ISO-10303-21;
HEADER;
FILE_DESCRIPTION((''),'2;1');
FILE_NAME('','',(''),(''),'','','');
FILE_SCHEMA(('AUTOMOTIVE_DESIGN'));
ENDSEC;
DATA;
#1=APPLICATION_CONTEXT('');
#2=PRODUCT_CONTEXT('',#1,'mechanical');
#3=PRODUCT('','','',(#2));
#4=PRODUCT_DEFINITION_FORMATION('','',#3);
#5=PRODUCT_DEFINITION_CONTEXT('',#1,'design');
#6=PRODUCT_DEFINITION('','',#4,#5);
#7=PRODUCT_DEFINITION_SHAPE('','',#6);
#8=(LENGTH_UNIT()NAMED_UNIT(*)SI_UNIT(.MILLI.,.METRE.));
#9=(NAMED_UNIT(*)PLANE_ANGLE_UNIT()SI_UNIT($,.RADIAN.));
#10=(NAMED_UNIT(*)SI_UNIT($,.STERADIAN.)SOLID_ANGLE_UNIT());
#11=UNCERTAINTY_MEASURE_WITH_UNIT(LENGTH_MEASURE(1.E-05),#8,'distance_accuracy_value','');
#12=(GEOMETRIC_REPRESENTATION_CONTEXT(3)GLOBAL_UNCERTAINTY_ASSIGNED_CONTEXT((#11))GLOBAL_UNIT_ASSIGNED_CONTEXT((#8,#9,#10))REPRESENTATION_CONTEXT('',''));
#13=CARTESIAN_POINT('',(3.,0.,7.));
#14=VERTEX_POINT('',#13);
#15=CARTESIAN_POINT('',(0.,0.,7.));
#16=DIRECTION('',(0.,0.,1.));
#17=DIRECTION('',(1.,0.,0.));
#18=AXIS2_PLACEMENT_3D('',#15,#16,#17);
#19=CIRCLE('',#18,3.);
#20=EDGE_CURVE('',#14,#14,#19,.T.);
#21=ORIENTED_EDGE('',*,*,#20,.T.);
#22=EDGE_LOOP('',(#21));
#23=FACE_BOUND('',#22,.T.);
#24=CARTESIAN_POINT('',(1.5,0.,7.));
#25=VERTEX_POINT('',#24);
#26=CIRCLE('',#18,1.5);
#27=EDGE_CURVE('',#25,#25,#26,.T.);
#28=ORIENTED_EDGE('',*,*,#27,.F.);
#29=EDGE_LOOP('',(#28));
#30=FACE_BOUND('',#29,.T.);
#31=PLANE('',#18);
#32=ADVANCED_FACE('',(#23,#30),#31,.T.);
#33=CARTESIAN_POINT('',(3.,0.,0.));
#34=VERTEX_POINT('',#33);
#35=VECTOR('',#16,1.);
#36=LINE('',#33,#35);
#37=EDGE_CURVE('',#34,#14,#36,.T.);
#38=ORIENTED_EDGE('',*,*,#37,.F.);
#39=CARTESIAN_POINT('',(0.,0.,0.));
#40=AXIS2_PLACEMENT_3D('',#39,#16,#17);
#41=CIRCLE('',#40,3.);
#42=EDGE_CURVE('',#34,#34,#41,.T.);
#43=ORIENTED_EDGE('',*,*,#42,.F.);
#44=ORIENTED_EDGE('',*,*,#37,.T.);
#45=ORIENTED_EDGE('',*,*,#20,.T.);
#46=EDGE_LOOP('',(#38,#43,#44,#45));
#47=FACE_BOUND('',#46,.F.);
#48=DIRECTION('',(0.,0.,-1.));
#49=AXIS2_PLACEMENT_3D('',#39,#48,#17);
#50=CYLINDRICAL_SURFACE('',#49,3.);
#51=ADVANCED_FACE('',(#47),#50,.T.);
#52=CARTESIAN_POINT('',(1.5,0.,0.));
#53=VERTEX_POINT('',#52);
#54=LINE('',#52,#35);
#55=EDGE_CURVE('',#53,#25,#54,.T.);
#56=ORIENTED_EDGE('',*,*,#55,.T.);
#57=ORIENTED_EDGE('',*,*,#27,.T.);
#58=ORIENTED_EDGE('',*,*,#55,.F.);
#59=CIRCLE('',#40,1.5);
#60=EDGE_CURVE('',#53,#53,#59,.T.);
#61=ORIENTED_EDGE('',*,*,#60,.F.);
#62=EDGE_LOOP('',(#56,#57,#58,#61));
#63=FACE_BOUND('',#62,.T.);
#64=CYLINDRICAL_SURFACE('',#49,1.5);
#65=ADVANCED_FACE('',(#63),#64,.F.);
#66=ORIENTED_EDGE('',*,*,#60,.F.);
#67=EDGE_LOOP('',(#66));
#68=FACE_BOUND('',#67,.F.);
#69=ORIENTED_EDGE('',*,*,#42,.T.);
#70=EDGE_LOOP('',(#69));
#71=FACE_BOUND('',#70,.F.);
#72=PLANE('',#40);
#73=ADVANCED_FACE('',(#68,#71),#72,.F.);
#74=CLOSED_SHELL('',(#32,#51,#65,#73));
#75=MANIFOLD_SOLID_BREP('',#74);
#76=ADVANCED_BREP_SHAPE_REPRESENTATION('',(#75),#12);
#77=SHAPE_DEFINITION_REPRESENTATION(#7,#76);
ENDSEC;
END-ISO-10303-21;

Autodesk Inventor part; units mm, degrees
ref_plane "YZ Plane" through (0, 0, 0) normal (1, 0, 0) x (0, 1, 0)
ref_plane "XZ Plane" through (0, 0, 0) normal (0, 1, 0) x (-1, 0, 0)
ref_plane "XY Plane" through (0, 0, 0) normal (0, 0, 1) x (1, 0, 0)
sketch "スケッチ1" plane through (0, 0, 0) normal (0, 0, 1) x (1, 0, 0)
  circle A0 centre (0, 0) radius 3
  circle A1 centre (0, 0) radius 1.5
  dimension "d0" = 6
  dimension "d1" = 3
extrude "押し出し1" add sketch "スケッチ1" along normal blind 7
properties part number "スペーサーm3-7　簡易筒型" material "アルミニウム 2014-T4"
